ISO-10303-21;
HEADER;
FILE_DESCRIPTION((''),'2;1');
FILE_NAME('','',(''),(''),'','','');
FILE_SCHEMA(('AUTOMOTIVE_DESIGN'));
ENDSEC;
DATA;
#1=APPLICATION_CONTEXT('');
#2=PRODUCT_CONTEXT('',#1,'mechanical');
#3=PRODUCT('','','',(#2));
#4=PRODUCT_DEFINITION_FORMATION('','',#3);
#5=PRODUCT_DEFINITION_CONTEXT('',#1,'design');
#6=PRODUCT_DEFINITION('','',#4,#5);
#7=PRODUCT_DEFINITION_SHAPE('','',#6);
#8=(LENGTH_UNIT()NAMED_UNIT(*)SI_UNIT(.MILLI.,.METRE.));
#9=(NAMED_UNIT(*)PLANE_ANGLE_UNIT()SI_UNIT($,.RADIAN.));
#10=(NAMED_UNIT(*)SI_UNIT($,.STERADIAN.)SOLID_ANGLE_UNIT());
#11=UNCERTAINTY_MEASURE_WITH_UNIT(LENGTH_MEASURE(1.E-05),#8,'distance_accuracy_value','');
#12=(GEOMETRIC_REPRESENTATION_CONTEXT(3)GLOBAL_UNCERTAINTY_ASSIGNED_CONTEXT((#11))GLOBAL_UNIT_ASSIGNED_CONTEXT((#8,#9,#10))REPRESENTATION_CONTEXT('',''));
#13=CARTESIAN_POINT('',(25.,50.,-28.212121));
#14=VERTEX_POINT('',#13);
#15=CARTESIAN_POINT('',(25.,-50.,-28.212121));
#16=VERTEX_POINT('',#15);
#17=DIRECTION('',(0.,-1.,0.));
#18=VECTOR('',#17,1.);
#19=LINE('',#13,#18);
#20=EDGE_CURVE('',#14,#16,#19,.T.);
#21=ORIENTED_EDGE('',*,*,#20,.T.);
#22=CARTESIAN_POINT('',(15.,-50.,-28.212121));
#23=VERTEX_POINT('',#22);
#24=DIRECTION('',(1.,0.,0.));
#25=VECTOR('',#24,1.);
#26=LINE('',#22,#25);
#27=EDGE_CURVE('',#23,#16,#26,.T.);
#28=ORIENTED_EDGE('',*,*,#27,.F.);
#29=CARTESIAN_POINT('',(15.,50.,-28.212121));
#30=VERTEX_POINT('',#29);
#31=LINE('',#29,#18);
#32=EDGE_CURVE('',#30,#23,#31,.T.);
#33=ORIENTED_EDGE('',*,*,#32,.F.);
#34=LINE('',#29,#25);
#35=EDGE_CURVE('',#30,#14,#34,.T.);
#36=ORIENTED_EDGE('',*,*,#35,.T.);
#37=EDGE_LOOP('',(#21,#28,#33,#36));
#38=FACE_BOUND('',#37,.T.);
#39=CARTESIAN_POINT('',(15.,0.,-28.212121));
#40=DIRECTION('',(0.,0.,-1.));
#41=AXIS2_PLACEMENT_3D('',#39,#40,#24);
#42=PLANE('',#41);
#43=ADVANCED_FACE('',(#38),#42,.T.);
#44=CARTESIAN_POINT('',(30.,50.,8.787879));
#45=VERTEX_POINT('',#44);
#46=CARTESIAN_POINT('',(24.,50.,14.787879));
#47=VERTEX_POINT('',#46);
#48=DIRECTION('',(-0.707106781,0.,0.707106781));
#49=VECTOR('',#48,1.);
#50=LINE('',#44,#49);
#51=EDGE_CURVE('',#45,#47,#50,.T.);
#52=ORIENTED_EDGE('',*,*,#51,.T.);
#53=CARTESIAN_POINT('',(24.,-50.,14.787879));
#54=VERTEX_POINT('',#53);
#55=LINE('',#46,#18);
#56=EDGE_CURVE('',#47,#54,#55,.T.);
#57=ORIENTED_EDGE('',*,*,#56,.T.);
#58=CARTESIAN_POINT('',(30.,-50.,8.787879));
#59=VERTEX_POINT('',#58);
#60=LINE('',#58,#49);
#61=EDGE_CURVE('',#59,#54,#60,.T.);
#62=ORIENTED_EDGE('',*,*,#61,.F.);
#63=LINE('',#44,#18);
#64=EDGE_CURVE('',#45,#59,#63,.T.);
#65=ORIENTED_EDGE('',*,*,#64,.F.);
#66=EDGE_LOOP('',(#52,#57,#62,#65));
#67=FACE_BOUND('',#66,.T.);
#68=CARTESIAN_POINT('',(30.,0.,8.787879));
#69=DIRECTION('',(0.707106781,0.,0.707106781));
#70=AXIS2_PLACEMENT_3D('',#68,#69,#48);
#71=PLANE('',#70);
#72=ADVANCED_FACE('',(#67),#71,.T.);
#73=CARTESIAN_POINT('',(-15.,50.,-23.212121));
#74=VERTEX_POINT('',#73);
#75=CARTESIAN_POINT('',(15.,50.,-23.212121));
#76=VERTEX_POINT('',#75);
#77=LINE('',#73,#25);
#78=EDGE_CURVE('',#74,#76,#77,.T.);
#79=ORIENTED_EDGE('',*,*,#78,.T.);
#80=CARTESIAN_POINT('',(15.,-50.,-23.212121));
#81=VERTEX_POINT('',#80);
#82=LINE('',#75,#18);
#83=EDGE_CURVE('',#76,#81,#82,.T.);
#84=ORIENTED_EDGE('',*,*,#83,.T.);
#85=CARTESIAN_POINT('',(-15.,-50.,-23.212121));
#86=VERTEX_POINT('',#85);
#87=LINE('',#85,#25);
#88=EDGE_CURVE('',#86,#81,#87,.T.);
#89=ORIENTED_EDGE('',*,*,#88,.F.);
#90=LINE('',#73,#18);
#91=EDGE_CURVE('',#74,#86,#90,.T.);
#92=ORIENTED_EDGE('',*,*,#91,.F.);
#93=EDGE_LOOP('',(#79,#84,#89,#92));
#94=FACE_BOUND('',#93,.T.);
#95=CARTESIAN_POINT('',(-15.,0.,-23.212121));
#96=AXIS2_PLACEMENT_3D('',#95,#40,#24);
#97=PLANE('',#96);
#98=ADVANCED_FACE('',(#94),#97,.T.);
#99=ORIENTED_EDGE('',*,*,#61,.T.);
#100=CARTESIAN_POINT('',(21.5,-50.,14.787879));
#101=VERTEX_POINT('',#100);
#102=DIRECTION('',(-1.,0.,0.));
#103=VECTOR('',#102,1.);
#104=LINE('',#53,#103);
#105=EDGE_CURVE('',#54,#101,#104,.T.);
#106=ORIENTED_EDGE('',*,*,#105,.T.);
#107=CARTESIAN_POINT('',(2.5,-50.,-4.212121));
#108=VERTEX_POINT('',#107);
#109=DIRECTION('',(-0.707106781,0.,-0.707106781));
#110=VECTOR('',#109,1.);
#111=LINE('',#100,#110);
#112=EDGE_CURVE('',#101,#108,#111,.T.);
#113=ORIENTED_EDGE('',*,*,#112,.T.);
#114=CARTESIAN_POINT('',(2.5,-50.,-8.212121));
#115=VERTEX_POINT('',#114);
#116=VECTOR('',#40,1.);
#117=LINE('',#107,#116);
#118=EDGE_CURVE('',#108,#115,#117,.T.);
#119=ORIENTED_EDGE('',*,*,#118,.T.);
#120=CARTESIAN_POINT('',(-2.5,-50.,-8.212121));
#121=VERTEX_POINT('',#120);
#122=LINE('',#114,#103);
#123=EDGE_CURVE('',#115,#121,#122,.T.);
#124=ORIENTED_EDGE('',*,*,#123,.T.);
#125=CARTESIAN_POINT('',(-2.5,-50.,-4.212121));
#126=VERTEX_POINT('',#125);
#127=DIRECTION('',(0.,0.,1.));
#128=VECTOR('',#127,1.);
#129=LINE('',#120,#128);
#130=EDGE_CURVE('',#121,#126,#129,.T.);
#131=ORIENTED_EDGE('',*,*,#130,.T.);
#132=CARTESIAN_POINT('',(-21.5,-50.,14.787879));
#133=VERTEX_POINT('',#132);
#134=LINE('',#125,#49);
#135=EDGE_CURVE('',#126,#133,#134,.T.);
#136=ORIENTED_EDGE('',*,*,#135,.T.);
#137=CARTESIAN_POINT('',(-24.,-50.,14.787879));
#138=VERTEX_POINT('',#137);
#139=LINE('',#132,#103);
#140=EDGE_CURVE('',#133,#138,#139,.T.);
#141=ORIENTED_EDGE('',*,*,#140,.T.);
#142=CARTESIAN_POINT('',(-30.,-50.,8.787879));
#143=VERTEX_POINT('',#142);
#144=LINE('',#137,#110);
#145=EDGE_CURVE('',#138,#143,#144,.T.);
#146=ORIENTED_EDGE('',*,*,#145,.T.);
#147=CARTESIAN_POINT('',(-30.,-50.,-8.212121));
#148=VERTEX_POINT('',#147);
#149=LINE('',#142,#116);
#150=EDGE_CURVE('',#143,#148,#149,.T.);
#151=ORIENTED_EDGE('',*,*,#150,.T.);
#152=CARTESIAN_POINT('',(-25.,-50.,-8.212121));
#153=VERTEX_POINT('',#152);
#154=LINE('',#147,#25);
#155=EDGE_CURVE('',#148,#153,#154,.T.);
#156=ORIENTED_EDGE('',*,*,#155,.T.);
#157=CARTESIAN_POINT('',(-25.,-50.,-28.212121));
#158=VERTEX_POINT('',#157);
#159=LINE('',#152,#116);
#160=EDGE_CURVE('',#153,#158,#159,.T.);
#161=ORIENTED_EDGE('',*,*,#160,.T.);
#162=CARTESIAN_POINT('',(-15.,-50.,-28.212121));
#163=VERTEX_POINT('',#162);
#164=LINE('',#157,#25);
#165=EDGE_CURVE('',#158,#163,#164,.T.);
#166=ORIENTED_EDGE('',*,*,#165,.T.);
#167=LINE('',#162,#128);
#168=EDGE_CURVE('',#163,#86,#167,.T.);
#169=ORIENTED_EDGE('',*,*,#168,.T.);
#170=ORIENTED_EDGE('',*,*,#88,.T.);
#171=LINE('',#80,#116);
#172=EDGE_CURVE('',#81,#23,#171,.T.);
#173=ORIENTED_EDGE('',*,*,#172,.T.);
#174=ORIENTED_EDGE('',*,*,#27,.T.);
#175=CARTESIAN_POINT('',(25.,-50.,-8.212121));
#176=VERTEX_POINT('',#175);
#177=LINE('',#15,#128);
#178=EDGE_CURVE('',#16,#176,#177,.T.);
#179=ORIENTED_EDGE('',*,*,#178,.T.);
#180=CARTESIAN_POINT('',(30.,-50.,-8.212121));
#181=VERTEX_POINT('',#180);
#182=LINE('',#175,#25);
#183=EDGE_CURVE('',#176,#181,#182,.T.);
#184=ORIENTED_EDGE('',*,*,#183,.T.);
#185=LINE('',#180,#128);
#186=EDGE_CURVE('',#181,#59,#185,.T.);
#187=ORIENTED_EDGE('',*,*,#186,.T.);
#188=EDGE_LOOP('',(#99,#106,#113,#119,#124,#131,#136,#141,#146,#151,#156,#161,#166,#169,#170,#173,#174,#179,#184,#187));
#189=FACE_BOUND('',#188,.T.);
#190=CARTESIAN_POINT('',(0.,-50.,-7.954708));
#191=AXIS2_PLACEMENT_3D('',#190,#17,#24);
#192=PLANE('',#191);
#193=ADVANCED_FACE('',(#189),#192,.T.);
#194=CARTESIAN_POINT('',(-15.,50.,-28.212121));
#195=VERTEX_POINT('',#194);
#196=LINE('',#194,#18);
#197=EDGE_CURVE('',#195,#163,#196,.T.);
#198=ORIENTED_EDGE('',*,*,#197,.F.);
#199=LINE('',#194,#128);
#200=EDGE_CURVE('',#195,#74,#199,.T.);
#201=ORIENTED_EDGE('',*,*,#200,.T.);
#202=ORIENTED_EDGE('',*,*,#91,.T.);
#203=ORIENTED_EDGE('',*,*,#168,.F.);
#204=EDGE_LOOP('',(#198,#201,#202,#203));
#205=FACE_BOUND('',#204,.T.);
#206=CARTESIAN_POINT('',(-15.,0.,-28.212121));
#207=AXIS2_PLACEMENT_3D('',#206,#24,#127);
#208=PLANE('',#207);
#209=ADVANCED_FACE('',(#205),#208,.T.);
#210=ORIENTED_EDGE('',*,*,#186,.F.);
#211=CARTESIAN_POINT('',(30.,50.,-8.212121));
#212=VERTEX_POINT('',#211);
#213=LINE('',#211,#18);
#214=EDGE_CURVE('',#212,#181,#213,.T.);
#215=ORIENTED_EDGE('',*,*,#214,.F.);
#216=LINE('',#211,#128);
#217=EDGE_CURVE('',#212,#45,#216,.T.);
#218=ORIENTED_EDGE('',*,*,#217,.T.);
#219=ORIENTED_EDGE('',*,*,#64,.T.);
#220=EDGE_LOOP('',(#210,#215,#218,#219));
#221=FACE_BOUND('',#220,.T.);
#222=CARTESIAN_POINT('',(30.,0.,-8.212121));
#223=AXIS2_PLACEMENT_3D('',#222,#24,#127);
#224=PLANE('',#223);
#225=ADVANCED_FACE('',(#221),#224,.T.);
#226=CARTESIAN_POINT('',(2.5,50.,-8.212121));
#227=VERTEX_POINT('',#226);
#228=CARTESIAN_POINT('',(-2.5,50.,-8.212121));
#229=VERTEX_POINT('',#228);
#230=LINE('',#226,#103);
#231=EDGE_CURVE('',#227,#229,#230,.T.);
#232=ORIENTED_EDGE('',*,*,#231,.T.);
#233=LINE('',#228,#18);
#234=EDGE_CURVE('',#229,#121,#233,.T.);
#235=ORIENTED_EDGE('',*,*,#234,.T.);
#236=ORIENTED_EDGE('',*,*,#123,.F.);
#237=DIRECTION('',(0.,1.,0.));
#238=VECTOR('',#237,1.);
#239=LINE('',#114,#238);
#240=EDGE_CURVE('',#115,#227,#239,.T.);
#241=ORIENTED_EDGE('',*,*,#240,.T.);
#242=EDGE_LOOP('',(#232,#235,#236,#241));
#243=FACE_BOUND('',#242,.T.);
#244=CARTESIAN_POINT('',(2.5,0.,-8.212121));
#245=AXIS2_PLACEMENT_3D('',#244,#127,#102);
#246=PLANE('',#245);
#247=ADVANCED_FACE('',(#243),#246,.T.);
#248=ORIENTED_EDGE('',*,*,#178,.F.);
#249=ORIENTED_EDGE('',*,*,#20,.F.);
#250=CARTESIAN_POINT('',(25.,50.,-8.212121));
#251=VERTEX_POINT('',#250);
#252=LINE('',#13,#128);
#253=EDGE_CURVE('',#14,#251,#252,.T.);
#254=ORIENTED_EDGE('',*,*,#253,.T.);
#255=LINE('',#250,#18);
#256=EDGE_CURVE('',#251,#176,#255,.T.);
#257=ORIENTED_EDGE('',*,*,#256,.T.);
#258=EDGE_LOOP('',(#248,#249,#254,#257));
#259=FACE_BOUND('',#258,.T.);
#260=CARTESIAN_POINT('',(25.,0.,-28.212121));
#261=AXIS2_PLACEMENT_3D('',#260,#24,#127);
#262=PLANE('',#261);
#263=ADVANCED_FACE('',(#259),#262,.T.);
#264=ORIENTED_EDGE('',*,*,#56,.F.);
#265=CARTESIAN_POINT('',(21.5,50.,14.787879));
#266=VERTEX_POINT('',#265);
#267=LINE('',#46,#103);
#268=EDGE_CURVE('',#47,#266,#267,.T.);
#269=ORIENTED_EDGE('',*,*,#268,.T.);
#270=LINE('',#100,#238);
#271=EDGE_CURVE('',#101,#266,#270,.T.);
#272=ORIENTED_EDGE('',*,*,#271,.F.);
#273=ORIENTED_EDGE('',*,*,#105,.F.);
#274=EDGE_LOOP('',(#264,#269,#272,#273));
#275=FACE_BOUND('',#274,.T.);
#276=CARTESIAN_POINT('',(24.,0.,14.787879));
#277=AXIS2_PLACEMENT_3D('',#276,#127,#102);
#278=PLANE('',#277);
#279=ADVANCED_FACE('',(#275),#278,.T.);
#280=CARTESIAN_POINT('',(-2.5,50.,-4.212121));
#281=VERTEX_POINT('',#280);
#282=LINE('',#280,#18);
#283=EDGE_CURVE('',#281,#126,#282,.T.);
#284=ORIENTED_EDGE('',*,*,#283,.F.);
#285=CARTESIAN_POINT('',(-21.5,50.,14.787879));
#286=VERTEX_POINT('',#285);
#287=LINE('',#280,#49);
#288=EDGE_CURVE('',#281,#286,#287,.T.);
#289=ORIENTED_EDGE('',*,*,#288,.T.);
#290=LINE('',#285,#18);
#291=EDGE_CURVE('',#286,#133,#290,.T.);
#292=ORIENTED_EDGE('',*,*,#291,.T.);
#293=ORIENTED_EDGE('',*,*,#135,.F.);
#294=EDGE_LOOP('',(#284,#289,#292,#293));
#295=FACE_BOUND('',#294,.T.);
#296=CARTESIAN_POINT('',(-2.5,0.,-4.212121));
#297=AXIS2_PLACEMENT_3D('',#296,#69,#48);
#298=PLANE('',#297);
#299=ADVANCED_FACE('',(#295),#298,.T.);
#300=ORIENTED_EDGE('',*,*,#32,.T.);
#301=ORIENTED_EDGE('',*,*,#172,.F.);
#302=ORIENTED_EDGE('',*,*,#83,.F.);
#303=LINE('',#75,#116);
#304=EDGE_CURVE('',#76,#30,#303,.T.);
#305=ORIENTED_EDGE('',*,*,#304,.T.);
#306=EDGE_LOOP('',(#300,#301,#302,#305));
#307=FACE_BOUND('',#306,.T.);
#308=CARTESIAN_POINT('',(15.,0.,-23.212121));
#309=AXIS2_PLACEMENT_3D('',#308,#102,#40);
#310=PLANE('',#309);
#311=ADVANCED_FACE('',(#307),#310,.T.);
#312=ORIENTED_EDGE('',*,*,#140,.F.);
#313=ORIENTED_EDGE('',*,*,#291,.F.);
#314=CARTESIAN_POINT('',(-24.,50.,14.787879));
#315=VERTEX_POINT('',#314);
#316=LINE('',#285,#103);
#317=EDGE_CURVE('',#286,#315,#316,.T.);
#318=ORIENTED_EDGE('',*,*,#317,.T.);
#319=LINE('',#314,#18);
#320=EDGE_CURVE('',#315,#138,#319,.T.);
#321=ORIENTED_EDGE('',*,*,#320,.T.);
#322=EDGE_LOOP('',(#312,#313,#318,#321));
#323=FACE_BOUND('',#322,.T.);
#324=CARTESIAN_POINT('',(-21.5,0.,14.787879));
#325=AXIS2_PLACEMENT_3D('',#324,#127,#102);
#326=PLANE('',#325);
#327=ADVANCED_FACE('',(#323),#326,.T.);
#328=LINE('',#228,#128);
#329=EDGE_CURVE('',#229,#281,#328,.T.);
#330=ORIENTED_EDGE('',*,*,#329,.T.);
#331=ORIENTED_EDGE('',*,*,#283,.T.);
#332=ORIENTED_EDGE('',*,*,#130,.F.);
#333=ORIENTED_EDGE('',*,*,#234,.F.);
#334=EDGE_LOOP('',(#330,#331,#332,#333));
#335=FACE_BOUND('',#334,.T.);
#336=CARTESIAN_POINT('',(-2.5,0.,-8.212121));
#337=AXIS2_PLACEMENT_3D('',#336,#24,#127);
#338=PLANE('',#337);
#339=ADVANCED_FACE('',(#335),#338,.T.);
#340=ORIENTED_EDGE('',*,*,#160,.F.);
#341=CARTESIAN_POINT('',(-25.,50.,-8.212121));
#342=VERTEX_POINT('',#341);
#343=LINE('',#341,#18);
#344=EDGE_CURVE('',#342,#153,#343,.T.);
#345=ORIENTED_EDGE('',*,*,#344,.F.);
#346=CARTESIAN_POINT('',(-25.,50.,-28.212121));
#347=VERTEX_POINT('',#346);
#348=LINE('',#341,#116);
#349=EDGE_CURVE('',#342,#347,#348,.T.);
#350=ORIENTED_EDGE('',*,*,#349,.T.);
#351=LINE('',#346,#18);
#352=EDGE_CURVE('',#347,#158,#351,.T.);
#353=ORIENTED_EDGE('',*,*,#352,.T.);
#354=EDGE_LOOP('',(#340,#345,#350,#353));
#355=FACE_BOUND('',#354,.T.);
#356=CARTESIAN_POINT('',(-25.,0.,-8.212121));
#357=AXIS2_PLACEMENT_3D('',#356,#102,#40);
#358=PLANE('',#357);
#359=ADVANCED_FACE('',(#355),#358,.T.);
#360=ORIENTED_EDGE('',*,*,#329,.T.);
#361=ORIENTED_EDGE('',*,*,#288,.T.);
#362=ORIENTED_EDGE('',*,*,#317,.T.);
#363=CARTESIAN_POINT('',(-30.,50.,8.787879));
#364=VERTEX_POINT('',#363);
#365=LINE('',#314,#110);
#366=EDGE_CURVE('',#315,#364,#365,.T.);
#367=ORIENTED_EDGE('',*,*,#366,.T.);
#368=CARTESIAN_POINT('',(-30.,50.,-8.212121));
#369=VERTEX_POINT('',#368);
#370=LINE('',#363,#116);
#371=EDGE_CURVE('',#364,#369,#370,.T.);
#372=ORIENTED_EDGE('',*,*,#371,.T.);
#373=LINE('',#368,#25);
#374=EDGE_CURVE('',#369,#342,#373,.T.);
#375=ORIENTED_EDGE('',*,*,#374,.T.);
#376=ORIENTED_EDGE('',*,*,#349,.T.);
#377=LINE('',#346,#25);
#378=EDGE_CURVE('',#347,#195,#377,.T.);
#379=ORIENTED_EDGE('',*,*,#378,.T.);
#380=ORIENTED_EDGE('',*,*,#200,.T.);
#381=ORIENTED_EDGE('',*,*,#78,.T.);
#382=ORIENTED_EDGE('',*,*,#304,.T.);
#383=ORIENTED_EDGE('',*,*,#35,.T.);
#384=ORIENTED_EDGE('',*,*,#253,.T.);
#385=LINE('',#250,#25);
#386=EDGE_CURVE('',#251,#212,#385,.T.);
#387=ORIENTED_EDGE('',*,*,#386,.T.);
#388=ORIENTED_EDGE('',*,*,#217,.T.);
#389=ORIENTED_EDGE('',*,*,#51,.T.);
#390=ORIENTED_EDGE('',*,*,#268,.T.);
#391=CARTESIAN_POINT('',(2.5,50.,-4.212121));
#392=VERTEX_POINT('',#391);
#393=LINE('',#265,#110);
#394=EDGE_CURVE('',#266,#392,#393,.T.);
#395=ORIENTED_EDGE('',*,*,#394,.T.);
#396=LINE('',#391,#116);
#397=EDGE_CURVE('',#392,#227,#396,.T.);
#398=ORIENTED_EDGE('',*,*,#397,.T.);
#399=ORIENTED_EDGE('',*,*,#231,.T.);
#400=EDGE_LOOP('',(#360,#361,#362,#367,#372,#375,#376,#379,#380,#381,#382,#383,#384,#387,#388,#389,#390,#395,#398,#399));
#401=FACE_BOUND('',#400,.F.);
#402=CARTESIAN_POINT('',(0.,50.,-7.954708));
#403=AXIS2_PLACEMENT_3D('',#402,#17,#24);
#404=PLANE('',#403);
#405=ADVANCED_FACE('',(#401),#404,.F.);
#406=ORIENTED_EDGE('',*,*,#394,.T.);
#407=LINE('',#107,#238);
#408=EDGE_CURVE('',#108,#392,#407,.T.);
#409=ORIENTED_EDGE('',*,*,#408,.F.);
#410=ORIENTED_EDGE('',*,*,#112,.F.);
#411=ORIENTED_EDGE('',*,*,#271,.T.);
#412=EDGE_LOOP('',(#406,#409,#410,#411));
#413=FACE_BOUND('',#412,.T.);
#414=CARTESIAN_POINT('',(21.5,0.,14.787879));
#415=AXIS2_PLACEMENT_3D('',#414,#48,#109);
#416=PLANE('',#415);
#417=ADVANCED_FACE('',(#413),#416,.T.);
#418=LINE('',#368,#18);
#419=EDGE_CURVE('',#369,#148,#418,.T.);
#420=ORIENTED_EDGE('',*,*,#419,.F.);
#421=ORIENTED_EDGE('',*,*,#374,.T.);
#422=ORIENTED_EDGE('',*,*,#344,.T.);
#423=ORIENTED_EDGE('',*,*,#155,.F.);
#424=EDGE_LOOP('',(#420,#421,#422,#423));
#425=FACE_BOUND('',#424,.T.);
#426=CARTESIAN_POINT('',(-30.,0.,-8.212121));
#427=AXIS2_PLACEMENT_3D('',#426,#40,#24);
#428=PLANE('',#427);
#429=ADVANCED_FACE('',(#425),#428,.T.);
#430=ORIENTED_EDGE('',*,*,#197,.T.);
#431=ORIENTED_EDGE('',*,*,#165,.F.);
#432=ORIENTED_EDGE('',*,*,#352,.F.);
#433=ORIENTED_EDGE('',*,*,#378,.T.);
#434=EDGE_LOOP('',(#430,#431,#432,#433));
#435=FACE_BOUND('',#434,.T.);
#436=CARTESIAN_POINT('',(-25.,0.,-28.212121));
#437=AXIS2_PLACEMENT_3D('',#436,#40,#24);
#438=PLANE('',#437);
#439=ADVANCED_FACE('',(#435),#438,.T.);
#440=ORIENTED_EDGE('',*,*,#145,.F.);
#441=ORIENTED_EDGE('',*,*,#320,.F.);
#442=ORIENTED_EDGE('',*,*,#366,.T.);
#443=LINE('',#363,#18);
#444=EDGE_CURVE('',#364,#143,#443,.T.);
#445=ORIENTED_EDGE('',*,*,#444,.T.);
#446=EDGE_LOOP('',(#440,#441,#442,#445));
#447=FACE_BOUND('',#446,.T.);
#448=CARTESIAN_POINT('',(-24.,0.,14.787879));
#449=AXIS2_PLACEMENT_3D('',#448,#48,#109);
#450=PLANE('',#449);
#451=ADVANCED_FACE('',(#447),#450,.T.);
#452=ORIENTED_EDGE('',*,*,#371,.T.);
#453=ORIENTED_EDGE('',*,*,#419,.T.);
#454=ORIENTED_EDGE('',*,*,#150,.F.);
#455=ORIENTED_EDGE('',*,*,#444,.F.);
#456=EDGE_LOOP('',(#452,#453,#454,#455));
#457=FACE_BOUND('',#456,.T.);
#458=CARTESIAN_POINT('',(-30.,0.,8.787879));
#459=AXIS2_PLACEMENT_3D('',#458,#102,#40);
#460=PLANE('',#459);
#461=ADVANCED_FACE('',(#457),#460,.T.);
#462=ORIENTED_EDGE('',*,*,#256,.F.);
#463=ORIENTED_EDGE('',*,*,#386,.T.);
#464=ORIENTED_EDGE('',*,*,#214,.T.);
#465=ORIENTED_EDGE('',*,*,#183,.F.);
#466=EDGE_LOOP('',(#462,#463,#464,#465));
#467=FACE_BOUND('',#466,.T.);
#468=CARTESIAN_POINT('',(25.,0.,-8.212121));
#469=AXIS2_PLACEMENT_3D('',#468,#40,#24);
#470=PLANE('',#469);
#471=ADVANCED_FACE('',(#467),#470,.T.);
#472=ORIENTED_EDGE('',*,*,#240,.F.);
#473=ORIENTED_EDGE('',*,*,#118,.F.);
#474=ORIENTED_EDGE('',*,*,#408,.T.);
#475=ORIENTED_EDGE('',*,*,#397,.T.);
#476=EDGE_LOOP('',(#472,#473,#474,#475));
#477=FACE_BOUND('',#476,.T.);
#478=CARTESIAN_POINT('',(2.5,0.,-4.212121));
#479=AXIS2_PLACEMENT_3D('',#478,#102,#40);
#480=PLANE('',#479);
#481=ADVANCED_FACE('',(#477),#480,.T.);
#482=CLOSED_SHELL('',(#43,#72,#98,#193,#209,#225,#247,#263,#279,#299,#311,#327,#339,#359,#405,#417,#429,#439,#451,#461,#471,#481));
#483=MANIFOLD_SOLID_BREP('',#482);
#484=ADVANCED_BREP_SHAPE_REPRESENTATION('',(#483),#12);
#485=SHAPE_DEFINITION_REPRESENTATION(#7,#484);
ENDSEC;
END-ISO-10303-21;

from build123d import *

# Parameters (mm, degrees)
F1_DEPTH = 50


with BuildPart() as f1:
    # F0 (on Front) → F1 (new body, symmetric)
    with BuildSketch(Plane.XZ):
        Polygon((2.5, -8.212121), (0, -8.212121), (-2.5, -8.212121), (-2.5, -4.212121), (-21.5, 14.787879), (-24, 14.787879), (-30, 8.787879), (-30, -8.212121), (-25, -8.212121), (-25, -28.212121), (-15, -28.212121), (-15, -23.212121), (0, -23.212121), (15, -23.212121), (15, -28.212121), (25, -28.212121), (25, -8.212121), (30, -8.212121), (30, 8.787879), (24, 14.787879), (21.5, 14.787879), (2.5, -4.212121), align=None)
    extrude(amount=F1_DEPTH, both=True)


solid = f1.part
